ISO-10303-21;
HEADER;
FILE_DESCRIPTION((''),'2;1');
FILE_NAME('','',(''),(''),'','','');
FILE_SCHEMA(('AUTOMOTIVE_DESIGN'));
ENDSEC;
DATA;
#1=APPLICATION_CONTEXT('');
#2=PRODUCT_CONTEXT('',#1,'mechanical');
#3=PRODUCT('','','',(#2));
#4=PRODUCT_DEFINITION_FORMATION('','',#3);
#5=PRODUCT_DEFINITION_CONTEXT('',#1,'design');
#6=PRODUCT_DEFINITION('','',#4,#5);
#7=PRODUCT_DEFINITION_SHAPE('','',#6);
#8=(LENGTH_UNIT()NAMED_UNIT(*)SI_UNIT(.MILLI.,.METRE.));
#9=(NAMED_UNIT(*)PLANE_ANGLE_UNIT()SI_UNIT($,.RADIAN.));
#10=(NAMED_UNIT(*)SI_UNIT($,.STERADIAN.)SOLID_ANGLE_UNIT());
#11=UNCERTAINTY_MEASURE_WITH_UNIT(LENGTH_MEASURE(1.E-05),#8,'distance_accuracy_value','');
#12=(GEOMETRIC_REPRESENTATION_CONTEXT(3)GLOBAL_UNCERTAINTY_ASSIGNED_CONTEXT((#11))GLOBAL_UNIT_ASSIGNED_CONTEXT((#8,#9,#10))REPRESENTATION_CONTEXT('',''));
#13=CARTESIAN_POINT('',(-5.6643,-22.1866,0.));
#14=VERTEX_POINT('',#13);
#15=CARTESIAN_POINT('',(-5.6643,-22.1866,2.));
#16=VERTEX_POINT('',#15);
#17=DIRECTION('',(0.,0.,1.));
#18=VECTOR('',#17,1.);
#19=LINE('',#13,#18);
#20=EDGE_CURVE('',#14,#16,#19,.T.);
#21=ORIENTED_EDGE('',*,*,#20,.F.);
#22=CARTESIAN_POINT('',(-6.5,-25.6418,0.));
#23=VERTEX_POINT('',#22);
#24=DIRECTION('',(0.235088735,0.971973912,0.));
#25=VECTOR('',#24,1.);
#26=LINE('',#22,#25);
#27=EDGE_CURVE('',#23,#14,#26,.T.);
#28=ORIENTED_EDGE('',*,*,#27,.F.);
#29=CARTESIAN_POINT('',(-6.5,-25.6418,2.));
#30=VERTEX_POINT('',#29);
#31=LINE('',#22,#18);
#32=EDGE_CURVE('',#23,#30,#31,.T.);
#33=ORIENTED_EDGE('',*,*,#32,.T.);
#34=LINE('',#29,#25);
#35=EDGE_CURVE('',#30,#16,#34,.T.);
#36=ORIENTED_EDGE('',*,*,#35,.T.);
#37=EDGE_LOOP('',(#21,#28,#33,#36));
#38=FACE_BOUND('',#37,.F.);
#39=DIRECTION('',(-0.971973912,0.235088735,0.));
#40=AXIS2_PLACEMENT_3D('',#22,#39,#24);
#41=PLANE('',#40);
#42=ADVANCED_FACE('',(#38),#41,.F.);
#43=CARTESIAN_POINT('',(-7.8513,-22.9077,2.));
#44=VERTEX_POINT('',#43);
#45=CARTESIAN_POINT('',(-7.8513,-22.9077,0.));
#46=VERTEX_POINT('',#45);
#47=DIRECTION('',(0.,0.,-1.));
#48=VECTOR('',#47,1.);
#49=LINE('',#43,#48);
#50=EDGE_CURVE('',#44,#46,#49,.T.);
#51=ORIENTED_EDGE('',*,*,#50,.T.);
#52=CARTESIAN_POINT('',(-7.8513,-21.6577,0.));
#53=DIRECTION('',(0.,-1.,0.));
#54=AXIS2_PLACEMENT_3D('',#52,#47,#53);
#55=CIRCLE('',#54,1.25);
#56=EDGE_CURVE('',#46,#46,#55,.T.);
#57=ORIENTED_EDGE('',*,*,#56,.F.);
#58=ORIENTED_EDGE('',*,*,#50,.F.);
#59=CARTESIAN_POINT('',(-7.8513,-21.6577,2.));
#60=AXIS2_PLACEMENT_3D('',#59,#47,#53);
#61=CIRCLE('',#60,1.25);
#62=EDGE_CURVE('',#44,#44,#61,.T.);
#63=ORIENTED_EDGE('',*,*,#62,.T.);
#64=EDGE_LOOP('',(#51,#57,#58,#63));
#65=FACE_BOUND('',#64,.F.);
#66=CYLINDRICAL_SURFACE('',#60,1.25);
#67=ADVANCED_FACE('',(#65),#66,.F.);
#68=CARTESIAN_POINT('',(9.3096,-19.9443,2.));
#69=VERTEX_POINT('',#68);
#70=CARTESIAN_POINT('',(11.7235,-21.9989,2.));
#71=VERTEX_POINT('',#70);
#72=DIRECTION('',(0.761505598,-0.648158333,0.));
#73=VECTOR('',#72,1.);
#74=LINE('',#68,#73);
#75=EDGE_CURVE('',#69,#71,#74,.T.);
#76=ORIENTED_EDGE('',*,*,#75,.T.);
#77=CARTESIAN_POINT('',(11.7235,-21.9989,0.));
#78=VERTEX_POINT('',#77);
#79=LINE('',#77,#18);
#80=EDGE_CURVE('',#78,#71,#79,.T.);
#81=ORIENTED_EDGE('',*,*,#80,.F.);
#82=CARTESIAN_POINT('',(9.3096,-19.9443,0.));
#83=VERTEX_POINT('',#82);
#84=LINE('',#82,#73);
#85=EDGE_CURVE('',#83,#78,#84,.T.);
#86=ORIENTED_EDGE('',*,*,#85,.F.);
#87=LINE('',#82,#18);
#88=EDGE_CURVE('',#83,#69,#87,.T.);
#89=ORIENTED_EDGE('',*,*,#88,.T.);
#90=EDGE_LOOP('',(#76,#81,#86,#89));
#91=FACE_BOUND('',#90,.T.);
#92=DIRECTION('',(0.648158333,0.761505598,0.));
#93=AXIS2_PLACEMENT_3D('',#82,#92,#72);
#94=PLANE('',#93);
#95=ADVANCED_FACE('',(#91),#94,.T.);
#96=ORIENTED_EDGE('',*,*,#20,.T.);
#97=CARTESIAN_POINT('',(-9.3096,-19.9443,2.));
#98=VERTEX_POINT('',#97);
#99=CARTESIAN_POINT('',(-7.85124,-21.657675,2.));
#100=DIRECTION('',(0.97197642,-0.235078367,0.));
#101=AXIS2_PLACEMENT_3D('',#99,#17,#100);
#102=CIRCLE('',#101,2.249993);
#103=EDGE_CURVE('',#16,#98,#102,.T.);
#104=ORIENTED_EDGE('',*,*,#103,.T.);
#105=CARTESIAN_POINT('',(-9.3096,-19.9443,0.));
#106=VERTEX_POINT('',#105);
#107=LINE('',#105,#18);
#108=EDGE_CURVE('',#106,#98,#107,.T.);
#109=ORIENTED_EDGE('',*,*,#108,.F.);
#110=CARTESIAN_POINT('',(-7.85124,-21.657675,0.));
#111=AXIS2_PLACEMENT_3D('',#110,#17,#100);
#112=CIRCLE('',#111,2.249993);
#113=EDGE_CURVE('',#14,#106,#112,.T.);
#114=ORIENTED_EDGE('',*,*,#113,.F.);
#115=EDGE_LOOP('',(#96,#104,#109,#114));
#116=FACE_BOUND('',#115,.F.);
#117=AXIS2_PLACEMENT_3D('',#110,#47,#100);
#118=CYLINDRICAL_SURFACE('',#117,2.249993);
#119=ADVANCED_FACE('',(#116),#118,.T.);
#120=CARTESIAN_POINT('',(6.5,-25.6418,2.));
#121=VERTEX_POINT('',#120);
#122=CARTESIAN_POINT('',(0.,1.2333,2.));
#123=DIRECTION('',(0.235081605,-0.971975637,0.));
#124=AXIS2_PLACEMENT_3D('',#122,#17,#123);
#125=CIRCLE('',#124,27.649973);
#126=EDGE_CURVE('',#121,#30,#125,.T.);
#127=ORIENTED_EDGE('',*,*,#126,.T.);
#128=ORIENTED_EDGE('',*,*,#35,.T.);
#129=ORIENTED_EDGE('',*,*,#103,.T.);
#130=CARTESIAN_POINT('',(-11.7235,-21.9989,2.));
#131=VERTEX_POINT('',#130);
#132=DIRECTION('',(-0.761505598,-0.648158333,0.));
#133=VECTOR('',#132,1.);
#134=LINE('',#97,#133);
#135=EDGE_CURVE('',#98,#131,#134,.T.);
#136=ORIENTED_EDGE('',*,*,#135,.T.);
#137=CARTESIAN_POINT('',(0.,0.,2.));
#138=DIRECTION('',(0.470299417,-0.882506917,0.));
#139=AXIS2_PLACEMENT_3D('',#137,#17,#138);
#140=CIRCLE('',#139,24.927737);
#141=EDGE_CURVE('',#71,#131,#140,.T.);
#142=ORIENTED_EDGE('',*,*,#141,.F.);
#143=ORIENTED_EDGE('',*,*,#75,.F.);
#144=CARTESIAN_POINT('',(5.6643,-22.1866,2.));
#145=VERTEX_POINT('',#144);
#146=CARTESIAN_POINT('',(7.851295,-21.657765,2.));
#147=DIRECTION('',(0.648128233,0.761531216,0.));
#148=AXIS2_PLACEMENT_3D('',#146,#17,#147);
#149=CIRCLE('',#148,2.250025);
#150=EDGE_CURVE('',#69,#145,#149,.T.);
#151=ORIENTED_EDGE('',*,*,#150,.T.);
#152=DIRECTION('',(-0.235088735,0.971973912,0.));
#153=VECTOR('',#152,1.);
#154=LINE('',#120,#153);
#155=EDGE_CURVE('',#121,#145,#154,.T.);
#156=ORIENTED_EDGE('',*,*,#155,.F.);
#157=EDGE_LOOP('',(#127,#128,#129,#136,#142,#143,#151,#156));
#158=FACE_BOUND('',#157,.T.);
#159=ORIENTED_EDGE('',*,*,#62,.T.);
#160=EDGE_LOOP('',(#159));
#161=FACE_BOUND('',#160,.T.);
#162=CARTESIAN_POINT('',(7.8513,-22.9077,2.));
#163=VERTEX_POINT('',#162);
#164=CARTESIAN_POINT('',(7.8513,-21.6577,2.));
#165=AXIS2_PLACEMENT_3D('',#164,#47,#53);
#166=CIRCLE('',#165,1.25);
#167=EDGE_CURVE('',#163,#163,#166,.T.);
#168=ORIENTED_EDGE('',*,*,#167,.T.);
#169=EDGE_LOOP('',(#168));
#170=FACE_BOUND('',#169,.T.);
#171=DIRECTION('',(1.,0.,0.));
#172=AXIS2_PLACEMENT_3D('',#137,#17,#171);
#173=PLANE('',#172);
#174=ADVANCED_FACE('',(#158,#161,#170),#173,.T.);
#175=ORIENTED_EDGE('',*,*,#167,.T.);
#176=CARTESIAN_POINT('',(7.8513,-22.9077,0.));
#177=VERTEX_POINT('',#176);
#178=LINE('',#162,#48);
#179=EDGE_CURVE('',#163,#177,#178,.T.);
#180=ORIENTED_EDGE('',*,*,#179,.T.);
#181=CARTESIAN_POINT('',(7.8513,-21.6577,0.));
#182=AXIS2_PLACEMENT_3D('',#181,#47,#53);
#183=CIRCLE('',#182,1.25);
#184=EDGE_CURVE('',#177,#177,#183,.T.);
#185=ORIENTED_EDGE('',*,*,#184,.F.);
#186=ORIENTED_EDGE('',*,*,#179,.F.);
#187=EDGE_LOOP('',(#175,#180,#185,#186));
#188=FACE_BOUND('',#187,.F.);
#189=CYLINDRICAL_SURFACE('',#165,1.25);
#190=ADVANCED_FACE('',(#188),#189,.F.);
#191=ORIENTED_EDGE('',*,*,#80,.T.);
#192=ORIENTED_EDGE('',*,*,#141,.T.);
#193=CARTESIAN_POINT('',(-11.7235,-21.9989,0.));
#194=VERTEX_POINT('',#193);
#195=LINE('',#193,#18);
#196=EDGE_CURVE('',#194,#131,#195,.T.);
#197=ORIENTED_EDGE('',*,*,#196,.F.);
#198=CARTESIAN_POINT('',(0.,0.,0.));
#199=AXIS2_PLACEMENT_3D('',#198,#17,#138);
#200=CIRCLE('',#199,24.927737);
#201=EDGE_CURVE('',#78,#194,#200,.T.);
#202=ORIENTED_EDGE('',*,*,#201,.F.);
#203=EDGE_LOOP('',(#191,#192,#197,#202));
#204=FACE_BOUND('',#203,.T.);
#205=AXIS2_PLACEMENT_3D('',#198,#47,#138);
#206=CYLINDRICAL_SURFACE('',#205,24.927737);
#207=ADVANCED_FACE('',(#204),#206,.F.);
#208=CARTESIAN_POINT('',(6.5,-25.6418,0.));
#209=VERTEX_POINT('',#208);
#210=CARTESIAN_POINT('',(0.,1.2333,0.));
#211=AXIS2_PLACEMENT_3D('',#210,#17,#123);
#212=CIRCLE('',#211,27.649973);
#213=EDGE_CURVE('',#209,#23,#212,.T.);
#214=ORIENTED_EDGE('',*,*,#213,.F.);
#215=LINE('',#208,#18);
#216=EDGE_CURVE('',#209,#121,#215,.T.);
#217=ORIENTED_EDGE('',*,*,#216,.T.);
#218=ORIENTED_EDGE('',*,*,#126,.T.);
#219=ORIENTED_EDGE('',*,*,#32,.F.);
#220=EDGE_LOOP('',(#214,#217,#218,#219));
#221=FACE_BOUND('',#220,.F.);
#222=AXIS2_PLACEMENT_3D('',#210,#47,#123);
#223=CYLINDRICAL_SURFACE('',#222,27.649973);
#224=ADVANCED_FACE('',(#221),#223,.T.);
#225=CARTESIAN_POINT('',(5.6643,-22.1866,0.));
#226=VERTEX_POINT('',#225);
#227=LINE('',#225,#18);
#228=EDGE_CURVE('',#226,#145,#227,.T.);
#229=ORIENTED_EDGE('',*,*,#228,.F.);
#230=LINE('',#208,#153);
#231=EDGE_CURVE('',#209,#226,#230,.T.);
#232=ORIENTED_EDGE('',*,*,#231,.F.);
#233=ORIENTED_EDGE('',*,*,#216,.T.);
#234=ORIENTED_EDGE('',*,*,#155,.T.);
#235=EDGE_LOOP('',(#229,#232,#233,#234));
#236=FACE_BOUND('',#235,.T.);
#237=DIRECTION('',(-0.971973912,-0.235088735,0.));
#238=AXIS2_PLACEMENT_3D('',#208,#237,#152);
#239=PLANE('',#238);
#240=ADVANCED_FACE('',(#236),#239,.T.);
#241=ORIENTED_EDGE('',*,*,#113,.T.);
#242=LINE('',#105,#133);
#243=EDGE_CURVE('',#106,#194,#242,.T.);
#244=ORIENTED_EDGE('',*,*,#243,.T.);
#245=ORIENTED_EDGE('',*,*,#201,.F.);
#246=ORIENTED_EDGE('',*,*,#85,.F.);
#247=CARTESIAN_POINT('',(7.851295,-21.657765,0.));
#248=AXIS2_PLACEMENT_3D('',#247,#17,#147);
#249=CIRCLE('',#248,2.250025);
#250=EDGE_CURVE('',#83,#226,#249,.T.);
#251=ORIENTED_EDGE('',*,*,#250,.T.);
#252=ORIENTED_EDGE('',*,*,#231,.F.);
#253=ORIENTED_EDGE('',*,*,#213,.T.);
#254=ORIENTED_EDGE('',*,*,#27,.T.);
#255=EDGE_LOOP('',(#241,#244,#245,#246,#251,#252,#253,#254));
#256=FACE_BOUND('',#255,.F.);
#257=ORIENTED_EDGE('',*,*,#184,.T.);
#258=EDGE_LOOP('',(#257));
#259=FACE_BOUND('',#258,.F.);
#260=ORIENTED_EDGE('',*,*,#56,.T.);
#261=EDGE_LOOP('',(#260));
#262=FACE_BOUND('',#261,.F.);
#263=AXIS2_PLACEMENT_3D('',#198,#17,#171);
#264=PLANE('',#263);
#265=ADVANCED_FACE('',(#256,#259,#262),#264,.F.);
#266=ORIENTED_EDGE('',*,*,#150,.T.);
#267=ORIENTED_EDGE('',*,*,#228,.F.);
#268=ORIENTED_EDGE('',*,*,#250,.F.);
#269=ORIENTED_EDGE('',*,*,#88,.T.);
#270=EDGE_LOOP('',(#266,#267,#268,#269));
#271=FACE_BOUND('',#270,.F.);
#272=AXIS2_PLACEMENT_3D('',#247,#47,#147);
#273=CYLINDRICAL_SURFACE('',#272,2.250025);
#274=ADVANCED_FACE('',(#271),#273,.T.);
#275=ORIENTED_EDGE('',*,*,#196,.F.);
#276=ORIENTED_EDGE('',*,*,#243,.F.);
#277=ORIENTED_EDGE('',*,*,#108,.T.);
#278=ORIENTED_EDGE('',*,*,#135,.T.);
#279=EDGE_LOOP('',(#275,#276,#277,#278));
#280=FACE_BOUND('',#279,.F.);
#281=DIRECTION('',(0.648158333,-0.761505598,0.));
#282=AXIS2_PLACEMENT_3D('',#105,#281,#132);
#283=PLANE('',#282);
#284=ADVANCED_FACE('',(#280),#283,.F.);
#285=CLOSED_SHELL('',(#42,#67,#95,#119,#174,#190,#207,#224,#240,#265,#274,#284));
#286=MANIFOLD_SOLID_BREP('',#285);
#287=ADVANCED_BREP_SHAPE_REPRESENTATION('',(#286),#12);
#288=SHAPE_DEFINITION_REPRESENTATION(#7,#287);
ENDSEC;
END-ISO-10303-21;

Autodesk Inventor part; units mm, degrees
ref_plane "WorkPlane1" through (0, 0, 0) normal (0, 0, 1) x (1, 0, 0)
ref_plane "Work Plane2" through (0, 0, -2) normal (0, 0, 1) x (1, 0, 0)
ref_plane "WorkPlane2" through (0, 0, 1) normal (0, 0, 1) x (1, 0, 0)
sketch "Sketch1" plane through (0, 0, 0) normal (0, 0, 1) x (1, 0, 0)
  point P0 (0, 0)
sketch "Sketch2" plane through (0, 0, 0) normal (0, 0, 1) x (1, 0, 0)
  line L0 (6.5, -25.6418) -> (5.6643, -22.1866)
  arc A0 (9.3096, -19.9443) -> (5.6643, -22.1866) centre (7.8513, -21.6577) ccw
  line L1 (9.3096, -19.9443) -> (11.7235, -21.9989)
  arc A1 (11.7235, -21.9989) -> (-11.7235, -21.9989) centre (0, 0) ccw
  line L2 (-9.3096, -19.9443) -> (-11.7235, -21.9989)
  arc A2 (-5.6643, -22.1866) -> (-9.3096, -19.9443) centre (-7.8513, -21.6577) ccw
  line L3 (-6.5, -25.6418) -> (-5.6643, -22.1866)
  arc A3 (6.5, -25.6418) -> (-6.5, -25.6418) centre (0, 1.2333) ccw
  line L4 (0, 1.2333) -> (-6.5, -25.6418) construction
  line L5 (0, 1.2333) -> (6.5, -25.6418) construction
  dimension "d2" = 27.65
  dimension "d4" = 0
  dimension "d6" = 24.9278
  dimension "d8" = 1.2333
  dimension "d10" = 6.5
  dimension "d12" = 6.5
  dimension "d14" = 2.25
  dimension "d16" = 2.25
  dimension "d18" = 24.2
  dimension "d20" = 24.2
  dimension "d22" = 36
  dimension "d24" = 36
extrude "Extrusion1" add sketch "Sketch2" along normal blind 2
sketch "Sketch3" plane through (0, 0, 2) normal (0, 0, 1) x (1, 0, 0)
  arc A0 (-5.6643, -22.1866) -> (-9.3096, -19.9443) centre (-7.8513, -21.6577) ccw projected
hole "Hole1" at (-7.8513, -21.6577, 2) direction (0, 0, -1) diameter 2.5 end through all
sketch "Sketch4" plane through (0, 0, 2) normal (0, 0, 1) x (1, 0, 0)
  arc A0 (9.3096, -19.9443) -> (5.6643, -22.1866) centre (7.8513, -21.6577) ccw projected
hole "Hole2" at (7.8513, -21.6577, 2) direction (0, 0, -1) diameter 2.5 end through all
equation "\"d29\" = Diam5"
equation "\"d36\" = Diam5"
equation "\"d2\" = 0.5 * Diam2"
equation "\"d6\" = 0.5 * msp_dd1"
equation "\"d8\" = -0.5 * msp_dd1 + 0.5 * Diam2 - 0.222222 * ParA"
equation "\"d10\" = 2.6 * Diam5"
equation "\"d12\" = 2.6 * Diam5"
equation "\"d14\" = 0.9 * Diam5"
equation "\"d16\" = 0.9 * Diam5"
equation "\"d18\" = 1.3 * Diam5 + 0.5 * Diam2 - ParA"
equation "\"d20\" = 1.3 * Diam5 + 0.5 * Diam2 - ParA"
equation "\"d25\" = ParS"
equation "\"Diam5\" = 2.5"
equation "\"ParA\" = 6.7"
equation "\"ParS\" = 2"
equation "\"Diam2\" = 55.3"
equation "\"msp_dd1\" = -b + Diam2 - 0.111111 * ParA"
equation "\"msp_pom\" = 0.5 * Diam2 - b"
equation "\"TEMPLATE\" = 1.2345"
properties part number "ANSI B 27.7M - 3BMI-52" material "Steel, Mild"
